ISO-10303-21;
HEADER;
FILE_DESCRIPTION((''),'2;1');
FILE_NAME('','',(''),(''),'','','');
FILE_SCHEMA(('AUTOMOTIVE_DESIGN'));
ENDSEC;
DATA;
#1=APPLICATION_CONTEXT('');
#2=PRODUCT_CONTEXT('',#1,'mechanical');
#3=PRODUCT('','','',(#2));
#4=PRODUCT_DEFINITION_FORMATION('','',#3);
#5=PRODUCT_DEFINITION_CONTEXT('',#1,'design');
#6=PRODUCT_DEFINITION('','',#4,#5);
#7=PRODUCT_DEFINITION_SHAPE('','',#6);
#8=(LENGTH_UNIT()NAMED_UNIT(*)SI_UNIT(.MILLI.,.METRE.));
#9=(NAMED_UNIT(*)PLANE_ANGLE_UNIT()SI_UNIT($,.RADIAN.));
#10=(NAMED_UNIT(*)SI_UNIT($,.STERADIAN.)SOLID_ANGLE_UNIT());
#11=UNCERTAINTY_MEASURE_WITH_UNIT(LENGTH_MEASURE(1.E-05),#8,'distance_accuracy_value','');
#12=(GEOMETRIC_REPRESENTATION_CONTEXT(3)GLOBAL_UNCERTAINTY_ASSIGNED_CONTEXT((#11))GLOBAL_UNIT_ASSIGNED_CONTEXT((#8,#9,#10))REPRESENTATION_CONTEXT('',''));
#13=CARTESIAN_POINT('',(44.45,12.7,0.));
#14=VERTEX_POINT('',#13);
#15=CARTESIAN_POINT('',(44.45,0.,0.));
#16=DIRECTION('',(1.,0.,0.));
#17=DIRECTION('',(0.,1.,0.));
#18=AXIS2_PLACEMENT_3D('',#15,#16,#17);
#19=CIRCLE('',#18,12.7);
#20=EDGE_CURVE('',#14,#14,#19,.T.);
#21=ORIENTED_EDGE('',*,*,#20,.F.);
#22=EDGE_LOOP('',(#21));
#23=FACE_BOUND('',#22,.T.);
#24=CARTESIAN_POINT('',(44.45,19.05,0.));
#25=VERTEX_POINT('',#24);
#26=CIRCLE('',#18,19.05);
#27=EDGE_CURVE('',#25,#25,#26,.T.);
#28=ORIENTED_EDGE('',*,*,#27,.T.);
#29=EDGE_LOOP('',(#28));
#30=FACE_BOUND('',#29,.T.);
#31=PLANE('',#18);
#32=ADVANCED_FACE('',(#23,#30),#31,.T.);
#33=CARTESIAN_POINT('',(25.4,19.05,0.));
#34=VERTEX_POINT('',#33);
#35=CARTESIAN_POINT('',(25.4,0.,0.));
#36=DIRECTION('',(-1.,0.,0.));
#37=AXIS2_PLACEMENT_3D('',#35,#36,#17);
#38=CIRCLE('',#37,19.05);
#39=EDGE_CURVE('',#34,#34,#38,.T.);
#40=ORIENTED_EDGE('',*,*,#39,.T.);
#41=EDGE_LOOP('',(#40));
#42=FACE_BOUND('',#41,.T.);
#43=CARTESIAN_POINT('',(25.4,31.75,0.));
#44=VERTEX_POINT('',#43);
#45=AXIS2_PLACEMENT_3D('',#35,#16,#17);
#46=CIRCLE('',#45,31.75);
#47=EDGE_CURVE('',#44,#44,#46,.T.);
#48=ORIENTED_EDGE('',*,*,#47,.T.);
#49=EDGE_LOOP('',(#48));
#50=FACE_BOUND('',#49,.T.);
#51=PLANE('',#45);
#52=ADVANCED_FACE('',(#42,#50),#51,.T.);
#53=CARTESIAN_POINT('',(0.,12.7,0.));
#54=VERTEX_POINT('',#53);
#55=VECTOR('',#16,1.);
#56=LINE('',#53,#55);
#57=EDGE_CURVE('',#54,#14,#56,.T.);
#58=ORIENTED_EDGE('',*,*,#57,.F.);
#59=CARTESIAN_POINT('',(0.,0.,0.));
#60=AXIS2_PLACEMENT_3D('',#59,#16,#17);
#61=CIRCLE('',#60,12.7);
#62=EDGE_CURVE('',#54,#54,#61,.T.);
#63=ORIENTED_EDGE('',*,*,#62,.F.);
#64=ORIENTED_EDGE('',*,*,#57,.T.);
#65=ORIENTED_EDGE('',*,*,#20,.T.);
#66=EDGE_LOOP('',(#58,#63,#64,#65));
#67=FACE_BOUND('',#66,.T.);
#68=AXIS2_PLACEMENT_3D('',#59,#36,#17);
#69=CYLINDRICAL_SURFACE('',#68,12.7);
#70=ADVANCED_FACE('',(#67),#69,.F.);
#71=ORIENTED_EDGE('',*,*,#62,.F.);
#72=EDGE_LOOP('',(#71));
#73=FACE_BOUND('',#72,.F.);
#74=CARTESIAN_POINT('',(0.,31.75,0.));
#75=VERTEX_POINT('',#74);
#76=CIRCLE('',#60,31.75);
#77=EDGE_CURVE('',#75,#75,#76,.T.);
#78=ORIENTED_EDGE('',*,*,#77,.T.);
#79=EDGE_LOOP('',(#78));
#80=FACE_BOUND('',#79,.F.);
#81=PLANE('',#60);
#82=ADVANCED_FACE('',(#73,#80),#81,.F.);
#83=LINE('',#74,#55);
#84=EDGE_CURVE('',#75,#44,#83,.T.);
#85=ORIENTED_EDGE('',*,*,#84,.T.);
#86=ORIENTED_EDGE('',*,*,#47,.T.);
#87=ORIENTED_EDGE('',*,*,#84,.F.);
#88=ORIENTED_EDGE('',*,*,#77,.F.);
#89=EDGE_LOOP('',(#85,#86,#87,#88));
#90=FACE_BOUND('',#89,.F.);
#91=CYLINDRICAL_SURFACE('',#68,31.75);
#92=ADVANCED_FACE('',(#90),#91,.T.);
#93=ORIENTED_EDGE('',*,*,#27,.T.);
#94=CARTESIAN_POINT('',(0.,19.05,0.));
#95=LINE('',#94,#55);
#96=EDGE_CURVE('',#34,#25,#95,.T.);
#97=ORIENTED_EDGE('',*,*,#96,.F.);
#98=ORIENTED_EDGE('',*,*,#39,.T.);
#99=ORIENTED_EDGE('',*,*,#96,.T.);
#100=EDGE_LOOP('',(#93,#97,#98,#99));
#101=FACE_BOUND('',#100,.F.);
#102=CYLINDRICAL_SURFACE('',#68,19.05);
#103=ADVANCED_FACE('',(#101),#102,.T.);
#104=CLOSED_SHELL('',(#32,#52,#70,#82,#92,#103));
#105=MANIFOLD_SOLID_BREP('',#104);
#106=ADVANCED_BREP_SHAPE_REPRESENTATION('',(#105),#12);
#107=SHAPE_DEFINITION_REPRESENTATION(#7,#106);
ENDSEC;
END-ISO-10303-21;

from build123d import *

# Parameters (mm, degrees)
F0_R     = 31.75
F1_DEPTH = 25.4
F2_R     = 19.05
F3_DEPTH = 44.45
F4_R     = 12.7
F5_DEPTH = 44.45


with BuildPart() as f1:
    # F0 (on Right) → F1 (new body)
    with BuildSketch(Plane.YZ):
        Circle(F0_R)
    extrude(amount=F1_DEPTH)

    # F2 (on Right) → F3 (join)
    with BuildSketch(Plane.YZ):
        Circle(F2_R)
    extrude(amount=F3_DEPTH)

    # F4 (on Right) → F5 (cut)
    with BuildSketch(Plane.YZ):
        Circle(F4_R)
    extrude(amount=F5_DEPTH, mode=Mode.SUBTRACT)


solid = f1.part
